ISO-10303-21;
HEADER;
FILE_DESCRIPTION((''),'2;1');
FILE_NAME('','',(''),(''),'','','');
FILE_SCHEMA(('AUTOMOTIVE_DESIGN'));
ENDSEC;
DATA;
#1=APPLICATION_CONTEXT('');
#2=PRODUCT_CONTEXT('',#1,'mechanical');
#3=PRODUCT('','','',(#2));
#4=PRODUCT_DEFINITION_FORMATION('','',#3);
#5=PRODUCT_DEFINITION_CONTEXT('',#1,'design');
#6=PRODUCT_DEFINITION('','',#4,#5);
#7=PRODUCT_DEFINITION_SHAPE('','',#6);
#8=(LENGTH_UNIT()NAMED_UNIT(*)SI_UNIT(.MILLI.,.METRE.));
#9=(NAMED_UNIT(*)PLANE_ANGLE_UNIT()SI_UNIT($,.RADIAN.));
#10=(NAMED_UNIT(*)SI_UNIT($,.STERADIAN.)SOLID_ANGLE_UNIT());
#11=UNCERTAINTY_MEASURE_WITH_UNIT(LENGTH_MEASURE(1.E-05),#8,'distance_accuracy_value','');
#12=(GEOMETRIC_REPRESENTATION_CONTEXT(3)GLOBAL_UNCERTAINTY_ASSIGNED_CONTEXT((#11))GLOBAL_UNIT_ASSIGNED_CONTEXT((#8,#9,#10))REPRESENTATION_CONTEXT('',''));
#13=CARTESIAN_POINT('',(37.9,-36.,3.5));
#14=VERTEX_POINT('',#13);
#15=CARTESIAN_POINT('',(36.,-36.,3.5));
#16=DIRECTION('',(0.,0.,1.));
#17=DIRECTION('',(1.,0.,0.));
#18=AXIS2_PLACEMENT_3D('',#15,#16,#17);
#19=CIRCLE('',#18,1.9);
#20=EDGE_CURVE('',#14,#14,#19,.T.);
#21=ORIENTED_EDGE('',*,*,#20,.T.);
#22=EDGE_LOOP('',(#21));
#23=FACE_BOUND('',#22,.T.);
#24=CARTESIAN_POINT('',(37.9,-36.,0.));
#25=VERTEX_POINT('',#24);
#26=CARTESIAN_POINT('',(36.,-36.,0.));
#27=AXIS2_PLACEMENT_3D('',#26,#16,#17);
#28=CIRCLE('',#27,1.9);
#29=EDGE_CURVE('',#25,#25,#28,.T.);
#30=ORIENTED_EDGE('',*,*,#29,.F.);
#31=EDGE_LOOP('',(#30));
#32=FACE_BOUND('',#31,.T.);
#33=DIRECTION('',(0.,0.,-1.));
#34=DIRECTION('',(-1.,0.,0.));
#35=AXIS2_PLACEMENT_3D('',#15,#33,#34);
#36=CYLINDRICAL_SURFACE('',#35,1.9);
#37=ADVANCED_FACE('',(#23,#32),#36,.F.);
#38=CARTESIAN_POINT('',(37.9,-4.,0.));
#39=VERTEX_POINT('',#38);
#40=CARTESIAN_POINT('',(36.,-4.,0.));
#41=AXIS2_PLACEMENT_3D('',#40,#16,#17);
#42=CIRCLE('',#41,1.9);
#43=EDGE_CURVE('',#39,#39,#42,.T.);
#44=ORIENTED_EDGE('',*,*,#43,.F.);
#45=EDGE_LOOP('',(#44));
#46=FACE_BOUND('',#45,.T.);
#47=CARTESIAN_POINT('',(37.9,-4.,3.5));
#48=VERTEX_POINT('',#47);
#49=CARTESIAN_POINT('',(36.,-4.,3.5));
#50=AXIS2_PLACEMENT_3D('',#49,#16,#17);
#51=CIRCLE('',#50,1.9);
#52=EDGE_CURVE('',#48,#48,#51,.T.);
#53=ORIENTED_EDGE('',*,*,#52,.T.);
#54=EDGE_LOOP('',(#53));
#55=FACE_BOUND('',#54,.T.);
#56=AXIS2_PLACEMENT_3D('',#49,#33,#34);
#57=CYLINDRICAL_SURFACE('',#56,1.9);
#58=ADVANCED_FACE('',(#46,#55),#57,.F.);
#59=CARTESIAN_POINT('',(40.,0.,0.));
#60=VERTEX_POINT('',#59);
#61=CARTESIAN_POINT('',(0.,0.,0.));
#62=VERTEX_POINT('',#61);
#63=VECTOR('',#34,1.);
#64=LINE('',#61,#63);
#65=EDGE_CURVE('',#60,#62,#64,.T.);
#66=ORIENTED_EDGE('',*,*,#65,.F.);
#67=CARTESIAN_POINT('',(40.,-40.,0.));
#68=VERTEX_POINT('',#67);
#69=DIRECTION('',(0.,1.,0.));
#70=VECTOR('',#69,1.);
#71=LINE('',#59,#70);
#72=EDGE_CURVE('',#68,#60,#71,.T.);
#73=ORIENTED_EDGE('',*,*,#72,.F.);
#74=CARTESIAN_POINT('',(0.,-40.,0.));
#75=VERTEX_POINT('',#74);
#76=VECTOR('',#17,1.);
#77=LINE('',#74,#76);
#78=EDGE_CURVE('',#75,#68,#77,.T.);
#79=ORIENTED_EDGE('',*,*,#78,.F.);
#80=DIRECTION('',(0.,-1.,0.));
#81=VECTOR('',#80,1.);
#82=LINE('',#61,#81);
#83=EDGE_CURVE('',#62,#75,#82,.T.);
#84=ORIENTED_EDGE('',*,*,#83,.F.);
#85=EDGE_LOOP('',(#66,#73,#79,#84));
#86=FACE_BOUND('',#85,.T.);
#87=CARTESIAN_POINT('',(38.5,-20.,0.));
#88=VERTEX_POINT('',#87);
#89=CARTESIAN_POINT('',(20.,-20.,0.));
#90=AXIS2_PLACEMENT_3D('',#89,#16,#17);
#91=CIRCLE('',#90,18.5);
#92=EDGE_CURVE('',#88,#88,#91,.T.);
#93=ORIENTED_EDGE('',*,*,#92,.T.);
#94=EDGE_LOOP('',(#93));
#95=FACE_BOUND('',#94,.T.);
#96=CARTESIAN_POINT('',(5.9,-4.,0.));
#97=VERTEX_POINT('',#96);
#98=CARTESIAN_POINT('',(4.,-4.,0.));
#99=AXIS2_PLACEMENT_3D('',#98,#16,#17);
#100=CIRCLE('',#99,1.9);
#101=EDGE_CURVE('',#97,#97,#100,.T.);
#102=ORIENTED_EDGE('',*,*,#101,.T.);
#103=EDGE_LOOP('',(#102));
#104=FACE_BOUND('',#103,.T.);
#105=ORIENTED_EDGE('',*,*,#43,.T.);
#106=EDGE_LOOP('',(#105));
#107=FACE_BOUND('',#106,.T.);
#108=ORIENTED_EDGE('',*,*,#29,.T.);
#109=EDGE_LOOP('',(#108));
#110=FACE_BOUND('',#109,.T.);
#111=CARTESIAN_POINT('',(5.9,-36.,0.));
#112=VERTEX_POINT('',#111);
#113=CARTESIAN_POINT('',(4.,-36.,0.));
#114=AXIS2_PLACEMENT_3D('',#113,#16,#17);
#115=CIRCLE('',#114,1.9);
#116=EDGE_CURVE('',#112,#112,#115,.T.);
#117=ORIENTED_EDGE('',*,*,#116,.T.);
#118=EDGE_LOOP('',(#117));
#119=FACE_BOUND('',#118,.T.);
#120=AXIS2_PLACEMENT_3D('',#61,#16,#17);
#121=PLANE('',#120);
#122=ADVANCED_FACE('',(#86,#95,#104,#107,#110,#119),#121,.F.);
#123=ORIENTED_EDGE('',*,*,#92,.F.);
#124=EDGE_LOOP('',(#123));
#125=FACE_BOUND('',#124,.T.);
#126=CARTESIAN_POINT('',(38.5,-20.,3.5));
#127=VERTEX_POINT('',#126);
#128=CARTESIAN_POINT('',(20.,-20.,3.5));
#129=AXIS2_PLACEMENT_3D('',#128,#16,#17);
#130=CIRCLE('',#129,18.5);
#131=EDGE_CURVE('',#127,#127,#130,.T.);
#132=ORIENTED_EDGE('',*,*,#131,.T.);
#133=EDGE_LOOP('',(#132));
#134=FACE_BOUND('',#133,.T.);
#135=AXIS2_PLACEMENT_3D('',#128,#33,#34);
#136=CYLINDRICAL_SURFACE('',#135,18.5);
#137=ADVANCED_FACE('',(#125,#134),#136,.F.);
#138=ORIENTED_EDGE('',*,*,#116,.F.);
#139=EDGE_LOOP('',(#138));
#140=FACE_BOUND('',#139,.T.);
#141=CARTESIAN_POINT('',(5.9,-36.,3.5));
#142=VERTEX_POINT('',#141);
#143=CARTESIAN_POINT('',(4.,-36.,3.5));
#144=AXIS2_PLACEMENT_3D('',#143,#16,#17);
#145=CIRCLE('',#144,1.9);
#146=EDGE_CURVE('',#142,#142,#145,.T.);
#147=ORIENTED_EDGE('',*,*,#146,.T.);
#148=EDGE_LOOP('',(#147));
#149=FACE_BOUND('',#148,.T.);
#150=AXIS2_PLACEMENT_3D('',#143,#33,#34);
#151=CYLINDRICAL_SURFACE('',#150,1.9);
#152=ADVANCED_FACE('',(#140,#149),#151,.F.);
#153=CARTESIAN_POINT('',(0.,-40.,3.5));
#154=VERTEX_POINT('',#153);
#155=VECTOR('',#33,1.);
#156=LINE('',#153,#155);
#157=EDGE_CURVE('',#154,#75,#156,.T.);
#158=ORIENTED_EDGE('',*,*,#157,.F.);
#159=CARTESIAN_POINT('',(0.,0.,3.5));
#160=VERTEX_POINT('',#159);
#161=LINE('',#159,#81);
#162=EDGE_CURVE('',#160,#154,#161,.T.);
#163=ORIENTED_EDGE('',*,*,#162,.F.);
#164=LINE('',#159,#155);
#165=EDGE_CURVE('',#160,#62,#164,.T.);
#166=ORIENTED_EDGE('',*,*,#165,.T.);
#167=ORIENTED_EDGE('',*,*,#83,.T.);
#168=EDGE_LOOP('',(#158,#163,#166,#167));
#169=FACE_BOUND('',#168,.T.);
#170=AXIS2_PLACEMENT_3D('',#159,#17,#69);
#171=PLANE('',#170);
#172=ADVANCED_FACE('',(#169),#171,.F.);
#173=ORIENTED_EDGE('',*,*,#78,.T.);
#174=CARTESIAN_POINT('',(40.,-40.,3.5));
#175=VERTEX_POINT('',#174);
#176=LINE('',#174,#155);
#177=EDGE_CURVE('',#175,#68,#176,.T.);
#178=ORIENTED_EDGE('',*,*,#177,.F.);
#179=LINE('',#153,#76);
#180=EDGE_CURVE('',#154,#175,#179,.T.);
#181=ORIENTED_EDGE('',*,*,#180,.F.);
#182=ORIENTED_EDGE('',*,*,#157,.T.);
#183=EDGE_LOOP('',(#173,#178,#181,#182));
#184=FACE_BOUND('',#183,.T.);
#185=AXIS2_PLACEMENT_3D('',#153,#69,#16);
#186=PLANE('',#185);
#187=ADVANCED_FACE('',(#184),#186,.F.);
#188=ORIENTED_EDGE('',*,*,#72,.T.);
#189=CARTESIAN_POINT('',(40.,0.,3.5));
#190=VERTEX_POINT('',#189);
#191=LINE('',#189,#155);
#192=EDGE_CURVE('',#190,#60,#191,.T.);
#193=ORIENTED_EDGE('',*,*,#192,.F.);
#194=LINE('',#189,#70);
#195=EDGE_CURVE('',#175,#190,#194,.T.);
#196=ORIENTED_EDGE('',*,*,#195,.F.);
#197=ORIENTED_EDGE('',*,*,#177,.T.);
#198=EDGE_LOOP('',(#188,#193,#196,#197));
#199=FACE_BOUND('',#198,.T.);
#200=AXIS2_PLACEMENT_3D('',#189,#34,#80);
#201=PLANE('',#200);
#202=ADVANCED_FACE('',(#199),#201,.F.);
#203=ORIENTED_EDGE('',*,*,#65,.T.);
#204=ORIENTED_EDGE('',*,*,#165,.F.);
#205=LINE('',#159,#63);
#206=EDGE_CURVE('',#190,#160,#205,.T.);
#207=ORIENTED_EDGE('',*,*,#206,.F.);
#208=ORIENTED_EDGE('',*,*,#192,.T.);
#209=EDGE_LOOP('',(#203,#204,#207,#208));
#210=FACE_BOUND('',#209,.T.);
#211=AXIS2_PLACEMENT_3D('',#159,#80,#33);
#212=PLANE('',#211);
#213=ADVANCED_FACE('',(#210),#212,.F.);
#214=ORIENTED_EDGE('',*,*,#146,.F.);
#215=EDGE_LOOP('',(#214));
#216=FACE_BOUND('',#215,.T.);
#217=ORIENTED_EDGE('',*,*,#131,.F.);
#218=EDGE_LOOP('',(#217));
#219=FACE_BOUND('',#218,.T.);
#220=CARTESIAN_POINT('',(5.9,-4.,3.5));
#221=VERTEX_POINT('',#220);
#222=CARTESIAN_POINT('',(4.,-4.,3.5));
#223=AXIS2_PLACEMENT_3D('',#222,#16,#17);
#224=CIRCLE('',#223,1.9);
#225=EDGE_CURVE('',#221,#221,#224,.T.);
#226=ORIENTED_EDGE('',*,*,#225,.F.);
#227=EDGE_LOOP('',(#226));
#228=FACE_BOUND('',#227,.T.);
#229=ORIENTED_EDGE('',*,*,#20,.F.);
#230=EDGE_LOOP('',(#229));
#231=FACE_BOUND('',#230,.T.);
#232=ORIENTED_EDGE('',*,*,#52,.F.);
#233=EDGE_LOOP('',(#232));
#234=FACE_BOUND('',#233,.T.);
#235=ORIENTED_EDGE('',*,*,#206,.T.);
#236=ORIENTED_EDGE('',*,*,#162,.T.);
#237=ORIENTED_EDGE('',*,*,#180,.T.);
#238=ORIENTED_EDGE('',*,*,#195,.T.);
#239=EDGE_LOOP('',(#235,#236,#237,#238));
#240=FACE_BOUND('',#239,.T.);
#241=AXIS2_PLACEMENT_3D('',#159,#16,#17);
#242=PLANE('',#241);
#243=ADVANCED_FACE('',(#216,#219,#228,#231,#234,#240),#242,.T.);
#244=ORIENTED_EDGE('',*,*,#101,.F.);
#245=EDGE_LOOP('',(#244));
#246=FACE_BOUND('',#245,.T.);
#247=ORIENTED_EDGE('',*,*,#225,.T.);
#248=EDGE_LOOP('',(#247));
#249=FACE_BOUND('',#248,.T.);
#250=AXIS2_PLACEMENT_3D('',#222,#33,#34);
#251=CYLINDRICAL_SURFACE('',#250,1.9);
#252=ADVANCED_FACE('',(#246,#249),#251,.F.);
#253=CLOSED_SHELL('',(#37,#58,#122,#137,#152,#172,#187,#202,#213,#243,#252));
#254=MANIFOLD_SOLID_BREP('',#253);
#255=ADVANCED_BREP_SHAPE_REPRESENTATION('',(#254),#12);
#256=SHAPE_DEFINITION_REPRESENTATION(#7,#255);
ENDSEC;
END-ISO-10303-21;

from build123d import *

# Parameters (mm, degrees)
SKETCH1_W           = 40
SKETCH1_H           = 40
SKETCH1_R           = 1.9
SKETCH1_R_2         = 18.5
BOSS_EXTRUDE1_DEPTH = 3.5


with BuildPart() as part:
    # Sketch1 → Boss-Extrude1 (new body)
    with BuildSketch(Plane.XY):
        with Locations((20, -20)):
            Rectangle(SKETCH1_W, SKETCH1_H)
        with Locations((4, -4)):
            Circle(SKETCH1_R, mode=Mode.SUBTRACT)
        with Locations((36, -4)):
            Circle(SKETCH1_R, mode=Mode.SUBTRACT)
        with Locations((36, -36)):
            Circle(SKETCH1_R, mode=Mode.SUBTRACT)
        with Locations((4, -36)):
            Circle(SKETCH1_R, mode=Mode.SUBTRACT)
        with Locations((20, -20)):
            Circle(SKETCH1_R_2, mode=Mode.SUBTRACT)
    extrude(amount=BOSS_EXTRUDE1_DEPTH)


solid = part.part
